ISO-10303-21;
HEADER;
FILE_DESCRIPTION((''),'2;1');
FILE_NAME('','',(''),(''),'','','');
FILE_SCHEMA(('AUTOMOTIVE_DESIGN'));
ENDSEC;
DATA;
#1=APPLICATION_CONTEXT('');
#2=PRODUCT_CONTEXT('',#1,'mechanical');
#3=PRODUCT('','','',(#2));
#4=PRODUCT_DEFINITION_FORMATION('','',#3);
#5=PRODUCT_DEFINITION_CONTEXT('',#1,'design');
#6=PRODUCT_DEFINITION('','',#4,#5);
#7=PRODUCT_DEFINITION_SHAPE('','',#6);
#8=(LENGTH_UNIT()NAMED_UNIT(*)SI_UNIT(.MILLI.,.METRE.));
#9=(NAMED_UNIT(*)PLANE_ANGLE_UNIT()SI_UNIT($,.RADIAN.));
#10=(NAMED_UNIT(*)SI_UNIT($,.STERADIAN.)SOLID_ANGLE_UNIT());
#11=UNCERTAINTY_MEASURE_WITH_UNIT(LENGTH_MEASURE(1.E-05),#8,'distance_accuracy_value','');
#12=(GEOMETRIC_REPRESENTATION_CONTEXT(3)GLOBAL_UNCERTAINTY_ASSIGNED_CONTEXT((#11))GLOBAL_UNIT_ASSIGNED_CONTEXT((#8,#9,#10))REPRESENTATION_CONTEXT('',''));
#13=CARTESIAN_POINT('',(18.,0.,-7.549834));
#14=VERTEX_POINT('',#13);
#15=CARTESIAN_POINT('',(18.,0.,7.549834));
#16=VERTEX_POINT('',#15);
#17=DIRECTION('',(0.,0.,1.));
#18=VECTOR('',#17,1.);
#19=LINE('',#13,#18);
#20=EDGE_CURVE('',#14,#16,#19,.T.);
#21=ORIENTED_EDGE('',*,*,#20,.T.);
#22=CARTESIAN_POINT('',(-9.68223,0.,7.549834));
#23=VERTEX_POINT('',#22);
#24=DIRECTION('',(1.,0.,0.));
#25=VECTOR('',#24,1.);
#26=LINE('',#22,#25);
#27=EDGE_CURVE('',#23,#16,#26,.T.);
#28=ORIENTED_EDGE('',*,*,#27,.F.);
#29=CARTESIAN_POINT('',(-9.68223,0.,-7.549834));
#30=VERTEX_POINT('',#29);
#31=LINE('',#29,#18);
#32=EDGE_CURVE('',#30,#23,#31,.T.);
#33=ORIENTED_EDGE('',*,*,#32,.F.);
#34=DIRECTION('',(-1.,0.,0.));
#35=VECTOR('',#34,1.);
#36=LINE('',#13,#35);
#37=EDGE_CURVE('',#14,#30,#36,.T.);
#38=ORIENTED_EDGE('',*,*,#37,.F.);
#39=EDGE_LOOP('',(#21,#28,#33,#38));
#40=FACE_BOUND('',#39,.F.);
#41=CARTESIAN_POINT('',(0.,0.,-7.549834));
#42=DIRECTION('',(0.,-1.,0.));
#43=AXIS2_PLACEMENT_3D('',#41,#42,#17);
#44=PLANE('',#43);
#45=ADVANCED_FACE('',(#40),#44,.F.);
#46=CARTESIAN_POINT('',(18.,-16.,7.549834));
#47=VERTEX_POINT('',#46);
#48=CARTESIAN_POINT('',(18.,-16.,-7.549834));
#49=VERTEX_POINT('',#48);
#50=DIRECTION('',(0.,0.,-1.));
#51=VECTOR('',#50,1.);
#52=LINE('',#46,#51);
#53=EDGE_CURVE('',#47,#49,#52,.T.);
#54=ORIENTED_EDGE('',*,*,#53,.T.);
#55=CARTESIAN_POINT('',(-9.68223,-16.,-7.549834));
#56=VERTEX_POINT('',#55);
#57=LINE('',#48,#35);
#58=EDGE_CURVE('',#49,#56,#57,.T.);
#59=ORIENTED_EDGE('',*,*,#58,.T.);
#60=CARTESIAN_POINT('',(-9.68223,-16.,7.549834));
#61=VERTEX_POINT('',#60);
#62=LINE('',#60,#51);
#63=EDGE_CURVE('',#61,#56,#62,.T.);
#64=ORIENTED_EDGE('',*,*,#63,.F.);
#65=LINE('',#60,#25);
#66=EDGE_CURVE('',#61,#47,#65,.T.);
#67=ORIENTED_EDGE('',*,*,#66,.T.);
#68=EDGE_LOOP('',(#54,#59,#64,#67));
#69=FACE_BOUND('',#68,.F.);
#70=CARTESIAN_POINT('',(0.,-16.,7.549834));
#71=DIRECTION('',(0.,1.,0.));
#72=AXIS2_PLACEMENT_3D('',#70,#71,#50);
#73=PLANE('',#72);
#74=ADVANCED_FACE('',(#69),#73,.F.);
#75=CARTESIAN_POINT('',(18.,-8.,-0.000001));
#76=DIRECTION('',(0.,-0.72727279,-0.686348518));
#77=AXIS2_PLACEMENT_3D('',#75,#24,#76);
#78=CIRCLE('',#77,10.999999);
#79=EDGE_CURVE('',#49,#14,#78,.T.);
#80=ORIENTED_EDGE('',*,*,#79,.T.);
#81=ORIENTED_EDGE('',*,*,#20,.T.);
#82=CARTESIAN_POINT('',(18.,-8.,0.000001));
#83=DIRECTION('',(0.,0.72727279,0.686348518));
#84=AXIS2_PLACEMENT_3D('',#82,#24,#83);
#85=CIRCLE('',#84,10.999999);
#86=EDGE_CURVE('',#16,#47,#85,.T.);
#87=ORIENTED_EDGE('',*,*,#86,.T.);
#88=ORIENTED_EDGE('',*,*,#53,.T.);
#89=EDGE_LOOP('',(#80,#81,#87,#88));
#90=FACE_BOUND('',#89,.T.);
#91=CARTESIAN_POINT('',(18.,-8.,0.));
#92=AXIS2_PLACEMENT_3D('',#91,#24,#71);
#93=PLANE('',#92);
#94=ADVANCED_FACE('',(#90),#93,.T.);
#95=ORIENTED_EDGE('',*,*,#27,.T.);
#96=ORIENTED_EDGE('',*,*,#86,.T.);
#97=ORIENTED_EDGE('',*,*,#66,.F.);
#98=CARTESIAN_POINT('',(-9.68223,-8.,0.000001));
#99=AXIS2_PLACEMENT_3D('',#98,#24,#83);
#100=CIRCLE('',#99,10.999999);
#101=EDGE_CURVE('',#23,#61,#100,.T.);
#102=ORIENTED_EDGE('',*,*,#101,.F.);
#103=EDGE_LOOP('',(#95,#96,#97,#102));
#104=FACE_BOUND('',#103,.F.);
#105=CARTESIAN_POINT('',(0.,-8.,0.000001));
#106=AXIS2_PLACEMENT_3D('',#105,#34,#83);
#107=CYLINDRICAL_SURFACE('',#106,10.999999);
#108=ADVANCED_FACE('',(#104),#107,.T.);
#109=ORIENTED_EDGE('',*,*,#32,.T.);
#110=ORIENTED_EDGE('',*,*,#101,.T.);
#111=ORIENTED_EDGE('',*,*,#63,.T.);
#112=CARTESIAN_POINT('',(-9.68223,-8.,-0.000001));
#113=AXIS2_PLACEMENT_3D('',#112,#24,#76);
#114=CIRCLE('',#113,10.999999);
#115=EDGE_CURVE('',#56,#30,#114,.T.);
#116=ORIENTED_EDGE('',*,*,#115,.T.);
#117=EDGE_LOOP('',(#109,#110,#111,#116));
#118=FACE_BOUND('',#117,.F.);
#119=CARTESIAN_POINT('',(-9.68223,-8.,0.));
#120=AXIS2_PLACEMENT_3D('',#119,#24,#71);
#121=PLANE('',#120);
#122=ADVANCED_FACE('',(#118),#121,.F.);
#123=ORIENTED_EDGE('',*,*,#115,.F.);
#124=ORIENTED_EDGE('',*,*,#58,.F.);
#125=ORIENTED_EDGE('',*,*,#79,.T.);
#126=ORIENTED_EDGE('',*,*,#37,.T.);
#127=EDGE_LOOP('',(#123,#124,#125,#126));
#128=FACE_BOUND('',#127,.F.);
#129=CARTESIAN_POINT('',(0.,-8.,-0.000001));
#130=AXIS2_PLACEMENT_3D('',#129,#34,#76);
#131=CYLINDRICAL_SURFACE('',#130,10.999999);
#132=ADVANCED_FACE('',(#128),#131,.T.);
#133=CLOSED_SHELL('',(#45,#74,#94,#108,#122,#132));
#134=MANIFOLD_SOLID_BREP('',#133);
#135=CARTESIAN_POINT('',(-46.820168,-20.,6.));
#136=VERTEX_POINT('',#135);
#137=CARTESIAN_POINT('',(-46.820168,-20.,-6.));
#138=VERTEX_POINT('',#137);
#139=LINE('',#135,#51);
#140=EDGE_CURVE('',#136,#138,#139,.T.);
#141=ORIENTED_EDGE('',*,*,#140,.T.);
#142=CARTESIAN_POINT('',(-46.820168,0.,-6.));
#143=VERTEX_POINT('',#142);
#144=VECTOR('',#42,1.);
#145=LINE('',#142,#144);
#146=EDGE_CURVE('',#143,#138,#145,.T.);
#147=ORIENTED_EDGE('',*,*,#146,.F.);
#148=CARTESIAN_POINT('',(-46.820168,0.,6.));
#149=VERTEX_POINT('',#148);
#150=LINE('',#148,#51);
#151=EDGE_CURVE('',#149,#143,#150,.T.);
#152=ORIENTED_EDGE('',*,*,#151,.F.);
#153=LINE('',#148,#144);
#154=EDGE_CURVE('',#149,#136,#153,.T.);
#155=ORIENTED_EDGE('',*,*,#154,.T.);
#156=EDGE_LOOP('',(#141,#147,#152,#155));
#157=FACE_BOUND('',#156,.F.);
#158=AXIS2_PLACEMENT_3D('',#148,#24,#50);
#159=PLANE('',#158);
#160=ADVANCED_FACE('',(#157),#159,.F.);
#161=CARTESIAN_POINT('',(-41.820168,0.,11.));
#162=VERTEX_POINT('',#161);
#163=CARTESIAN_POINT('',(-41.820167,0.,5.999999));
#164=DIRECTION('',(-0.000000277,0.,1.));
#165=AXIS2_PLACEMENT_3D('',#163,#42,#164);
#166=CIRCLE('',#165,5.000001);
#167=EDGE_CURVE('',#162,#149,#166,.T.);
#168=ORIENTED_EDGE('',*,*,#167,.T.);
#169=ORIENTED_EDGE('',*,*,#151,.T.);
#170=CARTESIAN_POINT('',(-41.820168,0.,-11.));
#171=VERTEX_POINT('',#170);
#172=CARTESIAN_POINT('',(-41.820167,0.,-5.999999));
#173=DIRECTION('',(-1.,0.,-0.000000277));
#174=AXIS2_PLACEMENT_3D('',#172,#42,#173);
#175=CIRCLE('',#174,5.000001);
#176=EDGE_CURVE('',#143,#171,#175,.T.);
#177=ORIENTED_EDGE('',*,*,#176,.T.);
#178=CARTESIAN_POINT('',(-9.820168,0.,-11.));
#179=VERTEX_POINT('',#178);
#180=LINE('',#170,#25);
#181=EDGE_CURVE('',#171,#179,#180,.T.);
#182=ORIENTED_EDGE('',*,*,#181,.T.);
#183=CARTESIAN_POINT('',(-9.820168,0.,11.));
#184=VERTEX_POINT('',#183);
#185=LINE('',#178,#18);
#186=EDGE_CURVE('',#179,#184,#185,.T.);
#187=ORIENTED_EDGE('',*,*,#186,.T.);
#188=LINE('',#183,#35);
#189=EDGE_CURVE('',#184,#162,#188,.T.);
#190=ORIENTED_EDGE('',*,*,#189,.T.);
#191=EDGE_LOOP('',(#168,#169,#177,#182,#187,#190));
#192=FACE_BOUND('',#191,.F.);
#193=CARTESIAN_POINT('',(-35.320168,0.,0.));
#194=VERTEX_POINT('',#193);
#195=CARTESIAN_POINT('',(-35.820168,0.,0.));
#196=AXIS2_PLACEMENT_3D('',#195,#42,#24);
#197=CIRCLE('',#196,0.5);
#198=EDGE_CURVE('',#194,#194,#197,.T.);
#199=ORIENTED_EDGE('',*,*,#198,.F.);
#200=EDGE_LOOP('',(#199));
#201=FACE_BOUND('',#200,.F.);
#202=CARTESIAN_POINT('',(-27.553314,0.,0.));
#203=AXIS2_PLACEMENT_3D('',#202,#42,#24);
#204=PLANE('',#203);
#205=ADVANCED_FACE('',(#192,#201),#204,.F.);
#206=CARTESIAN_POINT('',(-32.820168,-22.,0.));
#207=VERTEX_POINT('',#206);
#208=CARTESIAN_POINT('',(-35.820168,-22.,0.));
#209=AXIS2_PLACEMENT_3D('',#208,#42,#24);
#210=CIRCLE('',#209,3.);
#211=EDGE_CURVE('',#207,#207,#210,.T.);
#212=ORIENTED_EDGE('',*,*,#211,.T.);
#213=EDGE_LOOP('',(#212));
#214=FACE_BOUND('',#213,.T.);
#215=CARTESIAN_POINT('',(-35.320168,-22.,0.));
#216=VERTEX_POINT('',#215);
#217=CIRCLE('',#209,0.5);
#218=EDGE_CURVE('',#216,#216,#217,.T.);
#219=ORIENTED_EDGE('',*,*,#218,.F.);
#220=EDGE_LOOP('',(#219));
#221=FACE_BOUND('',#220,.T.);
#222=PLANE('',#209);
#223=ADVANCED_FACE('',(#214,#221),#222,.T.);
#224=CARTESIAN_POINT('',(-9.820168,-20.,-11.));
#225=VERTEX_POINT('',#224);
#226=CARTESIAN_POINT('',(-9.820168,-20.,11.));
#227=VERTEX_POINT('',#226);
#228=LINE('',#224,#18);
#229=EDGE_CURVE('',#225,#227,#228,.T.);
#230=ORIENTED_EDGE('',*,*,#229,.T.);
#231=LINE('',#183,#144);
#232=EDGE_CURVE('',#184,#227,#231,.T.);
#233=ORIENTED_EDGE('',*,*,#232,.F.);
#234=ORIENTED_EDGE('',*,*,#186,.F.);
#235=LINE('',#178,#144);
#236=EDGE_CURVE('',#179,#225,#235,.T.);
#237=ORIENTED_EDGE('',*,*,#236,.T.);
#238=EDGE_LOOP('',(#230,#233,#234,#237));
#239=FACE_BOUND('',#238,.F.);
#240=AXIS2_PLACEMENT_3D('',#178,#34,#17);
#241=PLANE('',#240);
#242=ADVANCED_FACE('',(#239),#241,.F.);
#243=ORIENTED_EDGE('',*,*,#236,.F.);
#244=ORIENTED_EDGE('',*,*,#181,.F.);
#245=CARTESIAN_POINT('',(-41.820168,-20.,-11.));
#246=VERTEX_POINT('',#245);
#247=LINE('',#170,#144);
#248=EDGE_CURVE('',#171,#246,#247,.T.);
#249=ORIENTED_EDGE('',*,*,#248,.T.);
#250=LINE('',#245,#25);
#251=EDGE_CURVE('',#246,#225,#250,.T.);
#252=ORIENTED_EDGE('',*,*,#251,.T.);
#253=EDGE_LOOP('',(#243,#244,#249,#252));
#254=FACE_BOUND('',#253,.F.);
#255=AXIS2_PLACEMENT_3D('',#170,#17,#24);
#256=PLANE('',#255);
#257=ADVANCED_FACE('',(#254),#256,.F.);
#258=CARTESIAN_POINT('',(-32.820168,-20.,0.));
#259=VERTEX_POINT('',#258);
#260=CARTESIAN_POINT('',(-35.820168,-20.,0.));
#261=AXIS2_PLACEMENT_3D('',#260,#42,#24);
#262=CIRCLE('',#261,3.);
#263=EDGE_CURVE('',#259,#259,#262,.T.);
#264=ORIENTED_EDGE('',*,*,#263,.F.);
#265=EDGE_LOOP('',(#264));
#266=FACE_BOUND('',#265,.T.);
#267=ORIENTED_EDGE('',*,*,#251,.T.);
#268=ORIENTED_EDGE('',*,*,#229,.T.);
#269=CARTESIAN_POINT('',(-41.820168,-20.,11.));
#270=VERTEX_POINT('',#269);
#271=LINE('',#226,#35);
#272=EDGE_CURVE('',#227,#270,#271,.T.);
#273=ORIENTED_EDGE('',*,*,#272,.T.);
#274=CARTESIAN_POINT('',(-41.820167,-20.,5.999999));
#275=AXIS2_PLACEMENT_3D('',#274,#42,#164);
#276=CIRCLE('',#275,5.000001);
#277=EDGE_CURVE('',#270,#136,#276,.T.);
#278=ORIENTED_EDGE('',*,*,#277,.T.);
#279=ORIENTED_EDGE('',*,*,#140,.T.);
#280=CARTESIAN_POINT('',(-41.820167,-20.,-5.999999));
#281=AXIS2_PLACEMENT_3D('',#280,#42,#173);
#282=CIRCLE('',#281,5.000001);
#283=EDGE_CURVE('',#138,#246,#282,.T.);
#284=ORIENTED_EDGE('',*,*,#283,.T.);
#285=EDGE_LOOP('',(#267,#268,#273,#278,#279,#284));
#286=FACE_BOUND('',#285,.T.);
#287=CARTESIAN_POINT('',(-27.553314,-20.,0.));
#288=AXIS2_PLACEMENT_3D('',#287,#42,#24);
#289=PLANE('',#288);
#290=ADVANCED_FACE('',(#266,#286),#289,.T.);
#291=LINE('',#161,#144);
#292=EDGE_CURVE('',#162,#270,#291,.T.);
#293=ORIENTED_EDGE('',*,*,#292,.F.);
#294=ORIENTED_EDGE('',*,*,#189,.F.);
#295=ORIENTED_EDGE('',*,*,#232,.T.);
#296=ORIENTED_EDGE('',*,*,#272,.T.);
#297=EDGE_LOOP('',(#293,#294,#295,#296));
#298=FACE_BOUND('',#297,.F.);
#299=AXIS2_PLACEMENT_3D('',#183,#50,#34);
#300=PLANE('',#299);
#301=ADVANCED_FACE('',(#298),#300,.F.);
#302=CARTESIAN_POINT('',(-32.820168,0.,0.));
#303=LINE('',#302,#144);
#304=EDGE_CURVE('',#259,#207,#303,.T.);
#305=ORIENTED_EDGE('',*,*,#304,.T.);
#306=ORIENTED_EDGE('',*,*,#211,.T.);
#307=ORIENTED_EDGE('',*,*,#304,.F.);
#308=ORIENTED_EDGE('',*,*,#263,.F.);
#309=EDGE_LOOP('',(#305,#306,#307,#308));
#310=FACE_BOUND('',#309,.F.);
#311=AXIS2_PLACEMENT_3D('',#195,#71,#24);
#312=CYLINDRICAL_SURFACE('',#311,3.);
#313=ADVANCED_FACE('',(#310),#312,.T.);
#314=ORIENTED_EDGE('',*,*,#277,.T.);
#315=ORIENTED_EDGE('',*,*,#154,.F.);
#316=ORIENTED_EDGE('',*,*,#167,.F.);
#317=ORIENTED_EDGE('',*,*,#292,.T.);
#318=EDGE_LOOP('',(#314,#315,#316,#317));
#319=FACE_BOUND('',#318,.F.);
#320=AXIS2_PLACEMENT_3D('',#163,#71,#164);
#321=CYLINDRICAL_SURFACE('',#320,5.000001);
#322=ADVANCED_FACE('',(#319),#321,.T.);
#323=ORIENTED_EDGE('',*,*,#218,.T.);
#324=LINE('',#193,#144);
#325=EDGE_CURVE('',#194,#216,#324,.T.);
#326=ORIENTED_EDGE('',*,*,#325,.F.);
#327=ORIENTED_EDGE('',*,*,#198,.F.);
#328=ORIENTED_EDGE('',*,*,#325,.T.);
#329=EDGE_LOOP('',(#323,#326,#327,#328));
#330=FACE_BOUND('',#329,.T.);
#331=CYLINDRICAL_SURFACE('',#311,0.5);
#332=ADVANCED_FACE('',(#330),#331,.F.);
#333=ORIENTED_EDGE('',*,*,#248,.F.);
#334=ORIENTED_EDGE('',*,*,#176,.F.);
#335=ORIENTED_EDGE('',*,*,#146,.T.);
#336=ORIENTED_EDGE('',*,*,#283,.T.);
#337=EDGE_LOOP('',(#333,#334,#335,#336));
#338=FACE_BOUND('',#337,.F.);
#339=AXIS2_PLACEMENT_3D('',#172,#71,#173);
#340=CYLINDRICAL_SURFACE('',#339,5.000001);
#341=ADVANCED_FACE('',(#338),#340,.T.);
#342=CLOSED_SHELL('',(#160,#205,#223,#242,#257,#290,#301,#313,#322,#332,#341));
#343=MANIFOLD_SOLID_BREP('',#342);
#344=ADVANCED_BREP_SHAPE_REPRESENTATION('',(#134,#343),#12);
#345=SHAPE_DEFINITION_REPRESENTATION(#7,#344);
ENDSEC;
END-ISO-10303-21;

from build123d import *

# Parameters (mm, degrees)
F0_R     = 3
F1_DEPTH = 20
F0_R_2   = 0.5
F2_DEPTH = 22
F4_DEPTH = 9.68223
F5_DEPTH = 18


with BuildPart() as f1:
    # F0 (on Front) → F1 (new body)
    with BuildSketch(Plane.XZ):
        with BuildLine():
            Line((-9.820168, 11), (-41.820168, 11))
            ThreePointArc((-41.820168, 11), (-45.355701, 9.535534), (-46.820168, 6))
            Line((-46.820168, 6), (-46.820168, -6))
            ThreePointArc((-46.820168, -6), (-45.355701, -9.535534), (-41.820168, -11))
            Line((-41.820168, -11), (-9.820168, -11))
            Line((-9.820168, -11), (-9.820168, 11))
        make_face()
        with Locations((-35.820168, 0)):
            Circle(F0_R, mode=Mode.SUBTRACT)
    extrude(amount=F1_DEPTH)

    # F0 (on Front) → F2 (join)
    with BuildSketch(Plane.XZ):
        with Locations((-35.820168, 0)):
            Circle(F0_R)
        with Locations((-35.820168, 0)):
            Circle(F0_R_2, mode=Mode.SUBTRACT)
    extrude(amount=F2_DEPTH)


with BuildPart() as f4:
    # F3 (on Right) → F4 (new body)
    with BuildSketch(Plane.YZ):
        with BuildLine():
            ThreePointArc((0, 7.549834), (-8, 11), (-16, 7.549834))
            Line((-16, 7.549834), (-16, -7.549834))
            ThreePointArc((-16, -7.549834), (-8, -11), (0, -7.549834))
            Line((0, -7.549834), (0, 7.549834))
        make_face()
    extrude(amount=-F4_DEPTH)

    # F4_face (on face) → F5 (join)
    with BuildSketch(Plane(origin=(0, -8, 0), x_dir=(0, 1, 0), z_dir=(1, 0, 0))):
        with BuildLine():
            Line((8, -7.549834), (8, 7.549834))
            ThreePointArc((8, 7.549834), (0, 11), (-8, 7.549834))
            Line((-8, 7.549834), (-8, -7.549834))
            ThreePointArc((-8, -7.549834), (0, -11), (8, -7.549834))
        make_face()
    extrude(amount=F5_DEPTH)


solid = Compound([f1.part, f4.part])
